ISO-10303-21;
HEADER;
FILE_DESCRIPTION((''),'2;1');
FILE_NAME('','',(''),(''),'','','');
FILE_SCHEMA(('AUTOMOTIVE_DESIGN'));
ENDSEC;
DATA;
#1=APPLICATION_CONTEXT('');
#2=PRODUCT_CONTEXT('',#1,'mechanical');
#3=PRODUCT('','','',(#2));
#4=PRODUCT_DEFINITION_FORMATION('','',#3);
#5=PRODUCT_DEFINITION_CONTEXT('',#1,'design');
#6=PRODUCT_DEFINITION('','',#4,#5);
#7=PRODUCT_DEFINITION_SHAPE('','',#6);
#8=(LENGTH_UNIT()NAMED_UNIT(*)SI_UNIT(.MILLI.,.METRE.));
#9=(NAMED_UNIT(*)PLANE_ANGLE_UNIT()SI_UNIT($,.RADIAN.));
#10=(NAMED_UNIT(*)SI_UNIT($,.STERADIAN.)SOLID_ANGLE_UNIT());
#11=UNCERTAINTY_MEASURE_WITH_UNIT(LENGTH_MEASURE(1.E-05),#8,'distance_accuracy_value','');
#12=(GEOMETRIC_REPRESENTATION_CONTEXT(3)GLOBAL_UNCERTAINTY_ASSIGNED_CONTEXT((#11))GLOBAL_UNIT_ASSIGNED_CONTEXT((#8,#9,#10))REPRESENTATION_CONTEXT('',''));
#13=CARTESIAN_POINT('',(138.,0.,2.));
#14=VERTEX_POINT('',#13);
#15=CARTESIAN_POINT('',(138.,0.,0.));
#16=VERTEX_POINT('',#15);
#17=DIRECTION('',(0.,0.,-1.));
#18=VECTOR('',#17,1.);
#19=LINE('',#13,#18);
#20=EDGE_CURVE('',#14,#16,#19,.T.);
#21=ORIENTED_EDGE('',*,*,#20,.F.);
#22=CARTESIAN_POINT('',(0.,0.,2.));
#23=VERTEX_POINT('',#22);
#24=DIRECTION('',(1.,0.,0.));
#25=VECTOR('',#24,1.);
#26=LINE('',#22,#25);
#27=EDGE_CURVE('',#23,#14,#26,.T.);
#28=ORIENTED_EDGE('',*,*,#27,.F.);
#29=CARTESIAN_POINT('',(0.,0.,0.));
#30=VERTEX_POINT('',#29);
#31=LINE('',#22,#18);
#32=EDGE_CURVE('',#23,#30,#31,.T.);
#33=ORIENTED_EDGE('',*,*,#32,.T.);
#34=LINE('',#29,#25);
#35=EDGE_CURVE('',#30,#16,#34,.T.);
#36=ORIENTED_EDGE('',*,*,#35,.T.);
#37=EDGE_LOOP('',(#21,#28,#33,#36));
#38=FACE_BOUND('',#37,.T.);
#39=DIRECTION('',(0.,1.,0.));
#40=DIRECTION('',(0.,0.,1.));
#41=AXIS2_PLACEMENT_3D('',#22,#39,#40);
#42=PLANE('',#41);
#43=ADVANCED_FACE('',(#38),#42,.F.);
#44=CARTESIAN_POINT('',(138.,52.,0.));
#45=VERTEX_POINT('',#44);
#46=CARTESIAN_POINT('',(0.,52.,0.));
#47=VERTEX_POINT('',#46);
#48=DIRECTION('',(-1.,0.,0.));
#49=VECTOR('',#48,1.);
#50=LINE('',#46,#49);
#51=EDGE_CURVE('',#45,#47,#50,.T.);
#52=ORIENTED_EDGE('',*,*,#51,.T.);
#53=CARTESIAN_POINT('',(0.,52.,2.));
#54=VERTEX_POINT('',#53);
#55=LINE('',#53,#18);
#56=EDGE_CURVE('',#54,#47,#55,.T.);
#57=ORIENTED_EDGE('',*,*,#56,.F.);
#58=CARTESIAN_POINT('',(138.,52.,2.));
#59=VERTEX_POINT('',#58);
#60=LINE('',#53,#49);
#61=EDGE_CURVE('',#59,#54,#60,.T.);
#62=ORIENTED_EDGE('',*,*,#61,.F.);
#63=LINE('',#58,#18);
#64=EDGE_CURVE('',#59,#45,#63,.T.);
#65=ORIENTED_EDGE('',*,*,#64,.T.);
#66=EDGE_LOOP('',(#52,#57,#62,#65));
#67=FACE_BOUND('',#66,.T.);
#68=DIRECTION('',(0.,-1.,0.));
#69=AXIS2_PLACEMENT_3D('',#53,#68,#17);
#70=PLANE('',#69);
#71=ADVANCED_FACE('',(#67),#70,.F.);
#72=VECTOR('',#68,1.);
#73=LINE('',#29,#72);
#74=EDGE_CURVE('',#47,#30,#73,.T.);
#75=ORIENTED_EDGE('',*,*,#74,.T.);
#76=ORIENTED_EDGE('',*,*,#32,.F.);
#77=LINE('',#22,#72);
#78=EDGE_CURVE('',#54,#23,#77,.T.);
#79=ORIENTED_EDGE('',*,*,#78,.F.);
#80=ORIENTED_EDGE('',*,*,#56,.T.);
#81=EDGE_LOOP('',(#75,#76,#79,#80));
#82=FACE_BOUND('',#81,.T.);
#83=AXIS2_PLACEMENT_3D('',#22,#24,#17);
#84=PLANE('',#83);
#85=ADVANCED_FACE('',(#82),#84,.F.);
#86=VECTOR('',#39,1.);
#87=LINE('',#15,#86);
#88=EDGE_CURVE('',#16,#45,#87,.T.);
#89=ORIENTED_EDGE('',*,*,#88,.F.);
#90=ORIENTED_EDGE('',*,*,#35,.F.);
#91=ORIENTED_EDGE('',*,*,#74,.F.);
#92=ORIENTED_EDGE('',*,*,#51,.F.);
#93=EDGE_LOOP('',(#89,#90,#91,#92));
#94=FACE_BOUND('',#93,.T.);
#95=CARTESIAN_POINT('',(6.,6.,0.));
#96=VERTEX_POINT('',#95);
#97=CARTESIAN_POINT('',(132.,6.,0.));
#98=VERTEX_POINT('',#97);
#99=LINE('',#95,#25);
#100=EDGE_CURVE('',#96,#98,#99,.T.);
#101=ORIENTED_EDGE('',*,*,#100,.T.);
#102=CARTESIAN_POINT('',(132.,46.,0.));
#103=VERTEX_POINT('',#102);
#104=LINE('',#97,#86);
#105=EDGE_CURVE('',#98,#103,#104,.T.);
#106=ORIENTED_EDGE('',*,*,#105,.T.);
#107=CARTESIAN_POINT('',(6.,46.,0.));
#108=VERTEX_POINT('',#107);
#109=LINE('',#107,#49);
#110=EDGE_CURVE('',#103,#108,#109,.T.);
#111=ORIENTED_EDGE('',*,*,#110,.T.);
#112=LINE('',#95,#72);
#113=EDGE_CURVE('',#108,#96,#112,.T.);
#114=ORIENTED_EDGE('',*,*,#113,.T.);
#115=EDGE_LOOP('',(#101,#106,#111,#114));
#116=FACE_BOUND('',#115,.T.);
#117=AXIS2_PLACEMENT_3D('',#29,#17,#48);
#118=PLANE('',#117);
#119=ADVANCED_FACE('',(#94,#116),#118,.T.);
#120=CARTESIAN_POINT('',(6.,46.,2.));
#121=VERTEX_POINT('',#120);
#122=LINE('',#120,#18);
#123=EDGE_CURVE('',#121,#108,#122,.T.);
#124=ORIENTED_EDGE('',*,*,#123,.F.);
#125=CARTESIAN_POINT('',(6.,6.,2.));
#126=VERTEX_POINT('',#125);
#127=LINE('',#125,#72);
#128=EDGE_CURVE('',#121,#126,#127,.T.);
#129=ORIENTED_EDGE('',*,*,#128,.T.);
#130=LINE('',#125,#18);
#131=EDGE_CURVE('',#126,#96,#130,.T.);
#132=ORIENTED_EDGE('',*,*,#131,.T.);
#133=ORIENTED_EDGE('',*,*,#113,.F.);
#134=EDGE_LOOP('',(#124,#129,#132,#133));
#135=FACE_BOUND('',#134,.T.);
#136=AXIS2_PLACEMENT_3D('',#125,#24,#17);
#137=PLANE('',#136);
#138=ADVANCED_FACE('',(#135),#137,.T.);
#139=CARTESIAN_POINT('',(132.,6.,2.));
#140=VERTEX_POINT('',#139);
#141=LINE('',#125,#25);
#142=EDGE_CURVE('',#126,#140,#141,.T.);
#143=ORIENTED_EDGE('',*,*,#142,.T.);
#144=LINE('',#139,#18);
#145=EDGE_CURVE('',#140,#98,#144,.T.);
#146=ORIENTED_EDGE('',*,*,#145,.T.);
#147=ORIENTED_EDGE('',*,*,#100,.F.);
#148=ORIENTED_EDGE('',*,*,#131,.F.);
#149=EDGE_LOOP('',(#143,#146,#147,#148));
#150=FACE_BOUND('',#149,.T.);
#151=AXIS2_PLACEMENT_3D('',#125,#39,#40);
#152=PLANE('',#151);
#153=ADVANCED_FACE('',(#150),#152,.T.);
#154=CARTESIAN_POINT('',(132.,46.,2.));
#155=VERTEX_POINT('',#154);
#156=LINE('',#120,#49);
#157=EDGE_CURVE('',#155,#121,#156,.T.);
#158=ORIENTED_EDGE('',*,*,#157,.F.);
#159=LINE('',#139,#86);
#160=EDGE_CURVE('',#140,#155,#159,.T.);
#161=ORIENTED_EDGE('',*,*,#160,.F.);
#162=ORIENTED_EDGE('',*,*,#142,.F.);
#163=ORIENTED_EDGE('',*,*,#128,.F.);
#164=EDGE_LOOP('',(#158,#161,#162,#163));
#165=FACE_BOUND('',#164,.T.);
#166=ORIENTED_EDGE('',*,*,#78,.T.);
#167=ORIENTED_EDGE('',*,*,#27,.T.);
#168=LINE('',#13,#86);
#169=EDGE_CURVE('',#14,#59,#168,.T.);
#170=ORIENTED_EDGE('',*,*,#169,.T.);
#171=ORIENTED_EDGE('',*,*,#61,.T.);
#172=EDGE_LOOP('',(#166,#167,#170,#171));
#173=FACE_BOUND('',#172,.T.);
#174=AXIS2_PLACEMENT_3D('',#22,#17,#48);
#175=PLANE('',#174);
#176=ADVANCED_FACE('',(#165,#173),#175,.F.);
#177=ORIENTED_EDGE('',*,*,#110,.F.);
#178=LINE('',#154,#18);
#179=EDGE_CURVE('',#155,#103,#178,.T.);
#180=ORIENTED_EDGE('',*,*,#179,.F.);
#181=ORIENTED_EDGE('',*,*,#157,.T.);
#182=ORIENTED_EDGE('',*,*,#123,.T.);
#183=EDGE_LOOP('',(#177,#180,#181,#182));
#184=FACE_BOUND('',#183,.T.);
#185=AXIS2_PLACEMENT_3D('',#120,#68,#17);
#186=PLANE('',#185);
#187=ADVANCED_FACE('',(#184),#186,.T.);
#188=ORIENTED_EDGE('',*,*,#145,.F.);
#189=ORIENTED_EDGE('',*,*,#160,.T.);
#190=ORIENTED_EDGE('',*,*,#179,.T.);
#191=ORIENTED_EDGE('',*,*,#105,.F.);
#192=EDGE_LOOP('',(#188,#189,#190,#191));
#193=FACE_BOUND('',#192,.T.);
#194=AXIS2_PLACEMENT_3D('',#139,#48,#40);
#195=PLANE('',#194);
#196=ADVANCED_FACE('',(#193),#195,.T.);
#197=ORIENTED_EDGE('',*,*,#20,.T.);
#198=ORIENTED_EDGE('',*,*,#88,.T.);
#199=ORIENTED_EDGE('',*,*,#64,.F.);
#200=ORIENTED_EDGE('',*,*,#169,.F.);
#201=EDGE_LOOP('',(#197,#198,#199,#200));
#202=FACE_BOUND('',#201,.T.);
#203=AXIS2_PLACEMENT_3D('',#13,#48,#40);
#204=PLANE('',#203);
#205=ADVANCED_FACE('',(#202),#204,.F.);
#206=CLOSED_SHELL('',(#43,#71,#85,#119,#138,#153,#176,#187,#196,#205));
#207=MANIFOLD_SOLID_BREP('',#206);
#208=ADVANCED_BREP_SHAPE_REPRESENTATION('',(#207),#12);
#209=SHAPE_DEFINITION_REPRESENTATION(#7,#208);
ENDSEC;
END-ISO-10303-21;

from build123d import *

# Parameters (mm, degrees)
SKETCH1_W     = 138
SKETCH1_H     = 52
SKETCH1_W_2   = 126
SKETCH1_H_2   = 40
PROFILE_DEPTH = 2


with BuildPart() as part:
    # Sketch1 → Profile (new body)
    with BuildSketch(Plane.XY):
        with Locations((69, 26)):
            Rectangle(SKETCH1_W, SKETCH1_H)
        with Locations((69, 26)):
            Rectangle(SKETCH1_W_2, SKETCH1_H_2, mode=Mode.SUBTRACT)
    extrude(amount=PROFILE_DEPTH)


solid = part.part
